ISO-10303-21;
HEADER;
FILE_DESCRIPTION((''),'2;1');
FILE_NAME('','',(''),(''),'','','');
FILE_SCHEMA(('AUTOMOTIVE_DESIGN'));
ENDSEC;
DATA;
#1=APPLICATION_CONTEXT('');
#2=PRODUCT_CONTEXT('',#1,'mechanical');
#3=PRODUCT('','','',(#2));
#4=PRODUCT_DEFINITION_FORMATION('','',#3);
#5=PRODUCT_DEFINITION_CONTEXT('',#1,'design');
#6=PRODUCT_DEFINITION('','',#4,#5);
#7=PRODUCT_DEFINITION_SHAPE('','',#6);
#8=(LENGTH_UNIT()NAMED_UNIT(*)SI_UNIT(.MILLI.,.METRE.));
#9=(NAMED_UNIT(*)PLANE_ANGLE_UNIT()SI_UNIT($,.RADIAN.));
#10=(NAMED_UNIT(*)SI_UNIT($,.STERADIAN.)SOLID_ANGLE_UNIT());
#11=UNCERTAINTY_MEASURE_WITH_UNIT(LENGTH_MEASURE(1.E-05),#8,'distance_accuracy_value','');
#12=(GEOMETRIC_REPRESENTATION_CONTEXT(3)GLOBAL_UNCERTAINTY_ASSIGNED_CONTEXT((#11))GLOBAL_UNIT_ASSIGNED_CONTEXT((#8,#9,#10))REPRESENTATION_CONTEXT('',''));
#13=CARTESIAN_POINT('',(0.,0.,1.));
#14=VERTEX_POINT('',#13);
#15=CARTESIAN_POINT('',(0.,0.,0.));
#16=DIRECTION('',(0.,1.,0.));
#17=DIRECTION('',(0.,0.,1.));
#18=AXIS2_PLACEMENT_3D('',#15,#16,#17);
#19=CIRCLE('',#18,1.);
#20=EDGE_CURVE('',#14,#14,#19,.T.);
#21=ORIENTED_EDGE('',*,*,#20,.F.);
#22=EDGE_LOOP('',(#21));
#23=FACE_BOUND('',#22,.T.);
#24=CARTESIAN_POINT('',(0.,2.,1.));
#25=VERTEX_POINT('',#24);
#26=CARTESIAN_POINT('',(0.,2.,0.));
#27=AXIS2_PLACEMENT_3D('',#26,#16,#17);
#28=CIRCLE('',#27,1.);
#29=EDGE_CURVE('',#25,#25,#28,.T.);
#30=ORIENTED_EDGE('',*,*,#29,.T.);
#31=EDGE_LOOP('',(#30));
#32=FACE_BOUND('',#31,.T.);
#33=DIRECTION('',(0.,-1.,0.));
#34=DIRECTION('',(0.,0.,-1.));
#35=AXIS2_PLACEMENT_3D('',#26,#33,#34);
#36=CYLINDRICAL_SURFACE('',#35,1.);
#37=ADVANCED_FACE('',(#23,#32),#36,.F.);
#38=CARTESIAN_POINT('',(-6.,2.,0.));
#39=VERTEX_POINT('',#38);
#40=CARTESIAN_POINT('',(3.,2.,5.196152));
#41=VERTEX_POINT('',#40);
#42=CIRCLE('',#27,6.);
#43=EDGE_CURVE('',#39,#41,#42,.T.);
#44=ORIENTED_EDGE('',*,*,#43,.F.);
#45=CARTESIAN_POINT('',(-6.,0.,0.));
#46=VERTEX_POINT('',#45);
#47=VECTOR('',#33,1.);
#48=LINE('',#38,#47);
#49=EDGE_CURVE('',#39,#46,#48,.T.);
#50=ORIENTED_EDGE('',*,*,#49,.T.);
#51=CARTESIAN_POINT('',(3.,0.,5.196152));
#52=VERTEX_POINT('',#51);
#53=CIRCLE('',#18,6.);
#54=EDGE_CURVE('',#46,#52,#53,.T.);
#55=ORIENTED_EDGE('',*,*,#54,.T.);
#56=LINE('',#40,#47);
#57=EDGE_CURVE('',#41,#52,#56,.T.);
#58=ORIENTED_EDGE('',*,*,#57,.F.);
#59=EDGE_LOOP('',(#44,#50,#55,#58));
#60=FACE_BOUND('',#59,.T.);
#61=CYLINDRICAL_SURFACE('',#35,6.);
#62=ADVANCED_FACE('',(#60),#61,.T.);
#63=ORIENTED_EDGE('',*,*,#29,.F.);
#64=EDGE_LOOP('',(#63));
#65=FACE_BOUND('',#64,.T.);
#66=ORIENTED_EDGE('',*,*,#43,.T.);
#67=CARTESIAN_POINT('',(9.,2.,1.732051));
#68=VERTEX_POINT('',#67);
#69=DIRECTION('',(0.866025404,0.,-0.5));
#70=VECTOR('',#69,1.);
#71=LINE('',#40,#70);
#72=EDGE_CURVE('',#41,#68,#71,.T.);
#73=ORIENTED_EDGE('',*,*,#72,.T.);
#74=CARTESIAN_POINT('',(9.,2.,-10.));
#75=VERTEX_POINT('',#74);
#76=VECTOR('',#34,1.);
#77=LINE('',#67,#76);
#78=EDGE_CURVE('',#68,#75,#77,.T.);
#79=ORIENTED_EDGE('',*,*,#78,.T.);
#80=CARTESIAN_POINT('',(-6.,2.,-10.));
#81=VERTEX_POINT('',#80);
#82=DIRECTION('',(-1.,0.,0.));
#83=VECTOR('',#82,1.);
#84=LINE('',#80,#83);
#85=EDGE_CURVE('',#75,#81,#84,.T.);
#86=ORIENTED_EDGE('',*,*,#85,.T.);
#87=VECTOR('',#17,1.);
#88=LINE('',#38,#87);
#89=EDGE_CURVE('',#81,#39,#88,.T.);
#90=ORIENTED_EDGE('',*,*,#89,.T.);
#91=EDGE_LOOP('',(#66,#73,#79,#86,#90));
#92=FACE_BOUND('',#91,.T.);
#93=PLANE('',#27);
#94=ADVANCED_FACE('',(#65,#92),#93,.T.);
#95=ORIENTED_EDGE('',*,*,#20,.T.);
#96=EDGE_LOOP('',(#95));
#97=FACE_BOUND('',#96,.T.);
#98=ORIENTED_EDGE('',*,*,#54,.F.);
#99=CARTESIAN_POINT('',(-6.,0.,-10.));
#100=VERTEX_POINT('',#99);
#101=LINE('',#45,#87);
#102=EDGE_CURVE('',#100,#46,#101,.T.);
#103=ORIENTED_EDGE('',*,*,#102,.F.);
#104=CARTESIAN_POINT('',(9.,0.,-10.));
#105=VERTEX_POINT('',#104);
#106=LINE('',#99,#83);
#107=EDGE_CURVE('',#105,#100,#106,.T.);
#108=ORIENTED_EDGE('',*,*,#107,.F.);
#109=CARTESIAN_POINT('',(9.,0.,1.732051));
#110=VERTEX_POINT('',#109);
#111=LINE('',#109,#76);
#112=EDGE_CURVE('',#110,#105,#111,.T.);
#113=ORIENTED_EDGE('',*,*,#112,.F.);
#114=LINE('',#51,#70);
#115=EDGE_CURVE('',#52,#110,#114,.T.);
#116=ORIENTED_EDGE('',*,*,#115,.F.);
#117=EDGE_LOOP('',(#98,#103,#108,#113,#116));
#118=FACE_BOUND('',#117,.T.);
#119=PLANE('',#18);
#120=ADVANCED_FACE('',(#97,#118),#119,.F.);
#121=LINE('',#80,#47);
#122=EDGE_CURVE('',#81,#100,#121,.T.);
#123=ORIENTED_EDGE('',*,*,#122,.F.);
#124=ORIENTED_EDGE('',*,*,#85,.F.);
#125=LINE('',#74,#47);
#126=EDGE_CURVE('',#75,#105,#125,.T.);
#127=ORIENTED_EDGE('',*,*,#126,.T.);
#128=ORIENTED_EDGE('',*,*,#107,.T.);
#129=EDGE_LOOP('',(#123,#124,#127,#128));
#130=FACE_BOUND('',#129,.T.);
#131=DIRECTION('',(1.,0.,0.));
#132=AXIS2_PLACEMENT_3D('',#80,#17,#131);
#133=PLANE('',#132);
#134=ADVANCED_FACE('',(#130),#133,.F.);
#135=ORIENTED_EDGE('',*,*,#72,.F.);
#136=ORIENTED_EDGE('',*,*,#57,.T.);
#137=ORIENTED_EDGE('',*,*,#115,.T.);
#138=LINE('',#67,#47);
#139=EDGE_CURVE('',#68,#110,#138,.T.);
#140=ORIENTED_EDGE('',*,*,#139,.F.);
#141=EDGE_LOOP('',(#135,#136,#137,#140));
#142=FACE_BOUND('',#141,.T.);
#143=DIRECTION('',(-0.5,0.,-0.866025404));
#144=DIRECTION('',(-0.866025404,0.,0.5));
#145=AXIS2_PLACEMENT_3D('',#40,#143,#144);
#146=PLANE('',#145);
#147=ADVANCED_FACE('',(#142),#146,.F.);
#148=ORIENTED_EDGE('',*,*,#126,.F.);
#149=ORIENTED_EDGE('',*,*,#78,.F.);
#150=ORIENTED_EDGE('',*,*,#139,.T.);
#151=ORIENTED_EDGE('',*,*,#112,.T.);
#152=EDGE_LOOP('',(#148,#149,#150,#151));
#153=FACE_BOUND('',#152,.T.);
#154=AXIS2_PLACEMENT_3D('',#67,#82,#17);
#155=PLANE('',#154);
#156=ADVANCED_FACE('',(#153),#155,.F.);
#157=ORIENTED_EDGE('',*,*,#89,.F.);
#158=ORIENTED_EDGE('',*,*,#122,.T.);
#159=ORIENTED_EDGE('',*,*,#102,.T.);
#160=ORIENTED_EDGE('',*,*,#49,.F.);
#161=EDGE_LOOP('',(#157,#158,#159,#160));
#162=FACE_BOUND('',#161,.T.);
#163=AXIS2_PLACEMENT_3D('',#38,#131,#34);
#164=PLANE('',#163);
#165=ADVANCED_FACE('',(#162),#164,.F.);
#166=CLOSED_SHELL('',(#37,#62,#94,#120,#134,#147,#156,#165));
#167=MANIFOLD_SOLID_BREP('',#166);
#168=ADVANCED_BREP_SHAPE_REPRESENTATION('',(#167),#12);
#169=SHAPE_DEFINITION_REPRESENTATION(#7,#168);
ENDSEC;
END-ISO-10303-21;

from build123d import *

# Parameters (mm, degrees)
ESQUISSE1_R        = 1
BOSS_EXTRU_1_DEPTH = 2


with BuildPart() as part:
    # Esquisse1 → Boss.-Extru.1 (new body)
    with BuildSketch(Plane(origin=(0, 0, 0), x_dir=(1, 0, 0), z_dir=(0, 1, 0))):
        with BuildLine():
            Line((-6, 0), (-6, 10))
            Line((-6, 10), (9, 10))
            Line((9, 10), (9, -1.732050808))
            Line((9, -1.732050808), (3, -5.196152423))
            ThreePointArc((3, -5.196152423), (-3, -5.196152423), (-6, 0))
        make_face()
        Circle(ESQUISSE1_R, mode=Mode.SUBTRACT)
    extrude(amount=BOSS_EXTRU_1_DEPTH)


solid = part.part
